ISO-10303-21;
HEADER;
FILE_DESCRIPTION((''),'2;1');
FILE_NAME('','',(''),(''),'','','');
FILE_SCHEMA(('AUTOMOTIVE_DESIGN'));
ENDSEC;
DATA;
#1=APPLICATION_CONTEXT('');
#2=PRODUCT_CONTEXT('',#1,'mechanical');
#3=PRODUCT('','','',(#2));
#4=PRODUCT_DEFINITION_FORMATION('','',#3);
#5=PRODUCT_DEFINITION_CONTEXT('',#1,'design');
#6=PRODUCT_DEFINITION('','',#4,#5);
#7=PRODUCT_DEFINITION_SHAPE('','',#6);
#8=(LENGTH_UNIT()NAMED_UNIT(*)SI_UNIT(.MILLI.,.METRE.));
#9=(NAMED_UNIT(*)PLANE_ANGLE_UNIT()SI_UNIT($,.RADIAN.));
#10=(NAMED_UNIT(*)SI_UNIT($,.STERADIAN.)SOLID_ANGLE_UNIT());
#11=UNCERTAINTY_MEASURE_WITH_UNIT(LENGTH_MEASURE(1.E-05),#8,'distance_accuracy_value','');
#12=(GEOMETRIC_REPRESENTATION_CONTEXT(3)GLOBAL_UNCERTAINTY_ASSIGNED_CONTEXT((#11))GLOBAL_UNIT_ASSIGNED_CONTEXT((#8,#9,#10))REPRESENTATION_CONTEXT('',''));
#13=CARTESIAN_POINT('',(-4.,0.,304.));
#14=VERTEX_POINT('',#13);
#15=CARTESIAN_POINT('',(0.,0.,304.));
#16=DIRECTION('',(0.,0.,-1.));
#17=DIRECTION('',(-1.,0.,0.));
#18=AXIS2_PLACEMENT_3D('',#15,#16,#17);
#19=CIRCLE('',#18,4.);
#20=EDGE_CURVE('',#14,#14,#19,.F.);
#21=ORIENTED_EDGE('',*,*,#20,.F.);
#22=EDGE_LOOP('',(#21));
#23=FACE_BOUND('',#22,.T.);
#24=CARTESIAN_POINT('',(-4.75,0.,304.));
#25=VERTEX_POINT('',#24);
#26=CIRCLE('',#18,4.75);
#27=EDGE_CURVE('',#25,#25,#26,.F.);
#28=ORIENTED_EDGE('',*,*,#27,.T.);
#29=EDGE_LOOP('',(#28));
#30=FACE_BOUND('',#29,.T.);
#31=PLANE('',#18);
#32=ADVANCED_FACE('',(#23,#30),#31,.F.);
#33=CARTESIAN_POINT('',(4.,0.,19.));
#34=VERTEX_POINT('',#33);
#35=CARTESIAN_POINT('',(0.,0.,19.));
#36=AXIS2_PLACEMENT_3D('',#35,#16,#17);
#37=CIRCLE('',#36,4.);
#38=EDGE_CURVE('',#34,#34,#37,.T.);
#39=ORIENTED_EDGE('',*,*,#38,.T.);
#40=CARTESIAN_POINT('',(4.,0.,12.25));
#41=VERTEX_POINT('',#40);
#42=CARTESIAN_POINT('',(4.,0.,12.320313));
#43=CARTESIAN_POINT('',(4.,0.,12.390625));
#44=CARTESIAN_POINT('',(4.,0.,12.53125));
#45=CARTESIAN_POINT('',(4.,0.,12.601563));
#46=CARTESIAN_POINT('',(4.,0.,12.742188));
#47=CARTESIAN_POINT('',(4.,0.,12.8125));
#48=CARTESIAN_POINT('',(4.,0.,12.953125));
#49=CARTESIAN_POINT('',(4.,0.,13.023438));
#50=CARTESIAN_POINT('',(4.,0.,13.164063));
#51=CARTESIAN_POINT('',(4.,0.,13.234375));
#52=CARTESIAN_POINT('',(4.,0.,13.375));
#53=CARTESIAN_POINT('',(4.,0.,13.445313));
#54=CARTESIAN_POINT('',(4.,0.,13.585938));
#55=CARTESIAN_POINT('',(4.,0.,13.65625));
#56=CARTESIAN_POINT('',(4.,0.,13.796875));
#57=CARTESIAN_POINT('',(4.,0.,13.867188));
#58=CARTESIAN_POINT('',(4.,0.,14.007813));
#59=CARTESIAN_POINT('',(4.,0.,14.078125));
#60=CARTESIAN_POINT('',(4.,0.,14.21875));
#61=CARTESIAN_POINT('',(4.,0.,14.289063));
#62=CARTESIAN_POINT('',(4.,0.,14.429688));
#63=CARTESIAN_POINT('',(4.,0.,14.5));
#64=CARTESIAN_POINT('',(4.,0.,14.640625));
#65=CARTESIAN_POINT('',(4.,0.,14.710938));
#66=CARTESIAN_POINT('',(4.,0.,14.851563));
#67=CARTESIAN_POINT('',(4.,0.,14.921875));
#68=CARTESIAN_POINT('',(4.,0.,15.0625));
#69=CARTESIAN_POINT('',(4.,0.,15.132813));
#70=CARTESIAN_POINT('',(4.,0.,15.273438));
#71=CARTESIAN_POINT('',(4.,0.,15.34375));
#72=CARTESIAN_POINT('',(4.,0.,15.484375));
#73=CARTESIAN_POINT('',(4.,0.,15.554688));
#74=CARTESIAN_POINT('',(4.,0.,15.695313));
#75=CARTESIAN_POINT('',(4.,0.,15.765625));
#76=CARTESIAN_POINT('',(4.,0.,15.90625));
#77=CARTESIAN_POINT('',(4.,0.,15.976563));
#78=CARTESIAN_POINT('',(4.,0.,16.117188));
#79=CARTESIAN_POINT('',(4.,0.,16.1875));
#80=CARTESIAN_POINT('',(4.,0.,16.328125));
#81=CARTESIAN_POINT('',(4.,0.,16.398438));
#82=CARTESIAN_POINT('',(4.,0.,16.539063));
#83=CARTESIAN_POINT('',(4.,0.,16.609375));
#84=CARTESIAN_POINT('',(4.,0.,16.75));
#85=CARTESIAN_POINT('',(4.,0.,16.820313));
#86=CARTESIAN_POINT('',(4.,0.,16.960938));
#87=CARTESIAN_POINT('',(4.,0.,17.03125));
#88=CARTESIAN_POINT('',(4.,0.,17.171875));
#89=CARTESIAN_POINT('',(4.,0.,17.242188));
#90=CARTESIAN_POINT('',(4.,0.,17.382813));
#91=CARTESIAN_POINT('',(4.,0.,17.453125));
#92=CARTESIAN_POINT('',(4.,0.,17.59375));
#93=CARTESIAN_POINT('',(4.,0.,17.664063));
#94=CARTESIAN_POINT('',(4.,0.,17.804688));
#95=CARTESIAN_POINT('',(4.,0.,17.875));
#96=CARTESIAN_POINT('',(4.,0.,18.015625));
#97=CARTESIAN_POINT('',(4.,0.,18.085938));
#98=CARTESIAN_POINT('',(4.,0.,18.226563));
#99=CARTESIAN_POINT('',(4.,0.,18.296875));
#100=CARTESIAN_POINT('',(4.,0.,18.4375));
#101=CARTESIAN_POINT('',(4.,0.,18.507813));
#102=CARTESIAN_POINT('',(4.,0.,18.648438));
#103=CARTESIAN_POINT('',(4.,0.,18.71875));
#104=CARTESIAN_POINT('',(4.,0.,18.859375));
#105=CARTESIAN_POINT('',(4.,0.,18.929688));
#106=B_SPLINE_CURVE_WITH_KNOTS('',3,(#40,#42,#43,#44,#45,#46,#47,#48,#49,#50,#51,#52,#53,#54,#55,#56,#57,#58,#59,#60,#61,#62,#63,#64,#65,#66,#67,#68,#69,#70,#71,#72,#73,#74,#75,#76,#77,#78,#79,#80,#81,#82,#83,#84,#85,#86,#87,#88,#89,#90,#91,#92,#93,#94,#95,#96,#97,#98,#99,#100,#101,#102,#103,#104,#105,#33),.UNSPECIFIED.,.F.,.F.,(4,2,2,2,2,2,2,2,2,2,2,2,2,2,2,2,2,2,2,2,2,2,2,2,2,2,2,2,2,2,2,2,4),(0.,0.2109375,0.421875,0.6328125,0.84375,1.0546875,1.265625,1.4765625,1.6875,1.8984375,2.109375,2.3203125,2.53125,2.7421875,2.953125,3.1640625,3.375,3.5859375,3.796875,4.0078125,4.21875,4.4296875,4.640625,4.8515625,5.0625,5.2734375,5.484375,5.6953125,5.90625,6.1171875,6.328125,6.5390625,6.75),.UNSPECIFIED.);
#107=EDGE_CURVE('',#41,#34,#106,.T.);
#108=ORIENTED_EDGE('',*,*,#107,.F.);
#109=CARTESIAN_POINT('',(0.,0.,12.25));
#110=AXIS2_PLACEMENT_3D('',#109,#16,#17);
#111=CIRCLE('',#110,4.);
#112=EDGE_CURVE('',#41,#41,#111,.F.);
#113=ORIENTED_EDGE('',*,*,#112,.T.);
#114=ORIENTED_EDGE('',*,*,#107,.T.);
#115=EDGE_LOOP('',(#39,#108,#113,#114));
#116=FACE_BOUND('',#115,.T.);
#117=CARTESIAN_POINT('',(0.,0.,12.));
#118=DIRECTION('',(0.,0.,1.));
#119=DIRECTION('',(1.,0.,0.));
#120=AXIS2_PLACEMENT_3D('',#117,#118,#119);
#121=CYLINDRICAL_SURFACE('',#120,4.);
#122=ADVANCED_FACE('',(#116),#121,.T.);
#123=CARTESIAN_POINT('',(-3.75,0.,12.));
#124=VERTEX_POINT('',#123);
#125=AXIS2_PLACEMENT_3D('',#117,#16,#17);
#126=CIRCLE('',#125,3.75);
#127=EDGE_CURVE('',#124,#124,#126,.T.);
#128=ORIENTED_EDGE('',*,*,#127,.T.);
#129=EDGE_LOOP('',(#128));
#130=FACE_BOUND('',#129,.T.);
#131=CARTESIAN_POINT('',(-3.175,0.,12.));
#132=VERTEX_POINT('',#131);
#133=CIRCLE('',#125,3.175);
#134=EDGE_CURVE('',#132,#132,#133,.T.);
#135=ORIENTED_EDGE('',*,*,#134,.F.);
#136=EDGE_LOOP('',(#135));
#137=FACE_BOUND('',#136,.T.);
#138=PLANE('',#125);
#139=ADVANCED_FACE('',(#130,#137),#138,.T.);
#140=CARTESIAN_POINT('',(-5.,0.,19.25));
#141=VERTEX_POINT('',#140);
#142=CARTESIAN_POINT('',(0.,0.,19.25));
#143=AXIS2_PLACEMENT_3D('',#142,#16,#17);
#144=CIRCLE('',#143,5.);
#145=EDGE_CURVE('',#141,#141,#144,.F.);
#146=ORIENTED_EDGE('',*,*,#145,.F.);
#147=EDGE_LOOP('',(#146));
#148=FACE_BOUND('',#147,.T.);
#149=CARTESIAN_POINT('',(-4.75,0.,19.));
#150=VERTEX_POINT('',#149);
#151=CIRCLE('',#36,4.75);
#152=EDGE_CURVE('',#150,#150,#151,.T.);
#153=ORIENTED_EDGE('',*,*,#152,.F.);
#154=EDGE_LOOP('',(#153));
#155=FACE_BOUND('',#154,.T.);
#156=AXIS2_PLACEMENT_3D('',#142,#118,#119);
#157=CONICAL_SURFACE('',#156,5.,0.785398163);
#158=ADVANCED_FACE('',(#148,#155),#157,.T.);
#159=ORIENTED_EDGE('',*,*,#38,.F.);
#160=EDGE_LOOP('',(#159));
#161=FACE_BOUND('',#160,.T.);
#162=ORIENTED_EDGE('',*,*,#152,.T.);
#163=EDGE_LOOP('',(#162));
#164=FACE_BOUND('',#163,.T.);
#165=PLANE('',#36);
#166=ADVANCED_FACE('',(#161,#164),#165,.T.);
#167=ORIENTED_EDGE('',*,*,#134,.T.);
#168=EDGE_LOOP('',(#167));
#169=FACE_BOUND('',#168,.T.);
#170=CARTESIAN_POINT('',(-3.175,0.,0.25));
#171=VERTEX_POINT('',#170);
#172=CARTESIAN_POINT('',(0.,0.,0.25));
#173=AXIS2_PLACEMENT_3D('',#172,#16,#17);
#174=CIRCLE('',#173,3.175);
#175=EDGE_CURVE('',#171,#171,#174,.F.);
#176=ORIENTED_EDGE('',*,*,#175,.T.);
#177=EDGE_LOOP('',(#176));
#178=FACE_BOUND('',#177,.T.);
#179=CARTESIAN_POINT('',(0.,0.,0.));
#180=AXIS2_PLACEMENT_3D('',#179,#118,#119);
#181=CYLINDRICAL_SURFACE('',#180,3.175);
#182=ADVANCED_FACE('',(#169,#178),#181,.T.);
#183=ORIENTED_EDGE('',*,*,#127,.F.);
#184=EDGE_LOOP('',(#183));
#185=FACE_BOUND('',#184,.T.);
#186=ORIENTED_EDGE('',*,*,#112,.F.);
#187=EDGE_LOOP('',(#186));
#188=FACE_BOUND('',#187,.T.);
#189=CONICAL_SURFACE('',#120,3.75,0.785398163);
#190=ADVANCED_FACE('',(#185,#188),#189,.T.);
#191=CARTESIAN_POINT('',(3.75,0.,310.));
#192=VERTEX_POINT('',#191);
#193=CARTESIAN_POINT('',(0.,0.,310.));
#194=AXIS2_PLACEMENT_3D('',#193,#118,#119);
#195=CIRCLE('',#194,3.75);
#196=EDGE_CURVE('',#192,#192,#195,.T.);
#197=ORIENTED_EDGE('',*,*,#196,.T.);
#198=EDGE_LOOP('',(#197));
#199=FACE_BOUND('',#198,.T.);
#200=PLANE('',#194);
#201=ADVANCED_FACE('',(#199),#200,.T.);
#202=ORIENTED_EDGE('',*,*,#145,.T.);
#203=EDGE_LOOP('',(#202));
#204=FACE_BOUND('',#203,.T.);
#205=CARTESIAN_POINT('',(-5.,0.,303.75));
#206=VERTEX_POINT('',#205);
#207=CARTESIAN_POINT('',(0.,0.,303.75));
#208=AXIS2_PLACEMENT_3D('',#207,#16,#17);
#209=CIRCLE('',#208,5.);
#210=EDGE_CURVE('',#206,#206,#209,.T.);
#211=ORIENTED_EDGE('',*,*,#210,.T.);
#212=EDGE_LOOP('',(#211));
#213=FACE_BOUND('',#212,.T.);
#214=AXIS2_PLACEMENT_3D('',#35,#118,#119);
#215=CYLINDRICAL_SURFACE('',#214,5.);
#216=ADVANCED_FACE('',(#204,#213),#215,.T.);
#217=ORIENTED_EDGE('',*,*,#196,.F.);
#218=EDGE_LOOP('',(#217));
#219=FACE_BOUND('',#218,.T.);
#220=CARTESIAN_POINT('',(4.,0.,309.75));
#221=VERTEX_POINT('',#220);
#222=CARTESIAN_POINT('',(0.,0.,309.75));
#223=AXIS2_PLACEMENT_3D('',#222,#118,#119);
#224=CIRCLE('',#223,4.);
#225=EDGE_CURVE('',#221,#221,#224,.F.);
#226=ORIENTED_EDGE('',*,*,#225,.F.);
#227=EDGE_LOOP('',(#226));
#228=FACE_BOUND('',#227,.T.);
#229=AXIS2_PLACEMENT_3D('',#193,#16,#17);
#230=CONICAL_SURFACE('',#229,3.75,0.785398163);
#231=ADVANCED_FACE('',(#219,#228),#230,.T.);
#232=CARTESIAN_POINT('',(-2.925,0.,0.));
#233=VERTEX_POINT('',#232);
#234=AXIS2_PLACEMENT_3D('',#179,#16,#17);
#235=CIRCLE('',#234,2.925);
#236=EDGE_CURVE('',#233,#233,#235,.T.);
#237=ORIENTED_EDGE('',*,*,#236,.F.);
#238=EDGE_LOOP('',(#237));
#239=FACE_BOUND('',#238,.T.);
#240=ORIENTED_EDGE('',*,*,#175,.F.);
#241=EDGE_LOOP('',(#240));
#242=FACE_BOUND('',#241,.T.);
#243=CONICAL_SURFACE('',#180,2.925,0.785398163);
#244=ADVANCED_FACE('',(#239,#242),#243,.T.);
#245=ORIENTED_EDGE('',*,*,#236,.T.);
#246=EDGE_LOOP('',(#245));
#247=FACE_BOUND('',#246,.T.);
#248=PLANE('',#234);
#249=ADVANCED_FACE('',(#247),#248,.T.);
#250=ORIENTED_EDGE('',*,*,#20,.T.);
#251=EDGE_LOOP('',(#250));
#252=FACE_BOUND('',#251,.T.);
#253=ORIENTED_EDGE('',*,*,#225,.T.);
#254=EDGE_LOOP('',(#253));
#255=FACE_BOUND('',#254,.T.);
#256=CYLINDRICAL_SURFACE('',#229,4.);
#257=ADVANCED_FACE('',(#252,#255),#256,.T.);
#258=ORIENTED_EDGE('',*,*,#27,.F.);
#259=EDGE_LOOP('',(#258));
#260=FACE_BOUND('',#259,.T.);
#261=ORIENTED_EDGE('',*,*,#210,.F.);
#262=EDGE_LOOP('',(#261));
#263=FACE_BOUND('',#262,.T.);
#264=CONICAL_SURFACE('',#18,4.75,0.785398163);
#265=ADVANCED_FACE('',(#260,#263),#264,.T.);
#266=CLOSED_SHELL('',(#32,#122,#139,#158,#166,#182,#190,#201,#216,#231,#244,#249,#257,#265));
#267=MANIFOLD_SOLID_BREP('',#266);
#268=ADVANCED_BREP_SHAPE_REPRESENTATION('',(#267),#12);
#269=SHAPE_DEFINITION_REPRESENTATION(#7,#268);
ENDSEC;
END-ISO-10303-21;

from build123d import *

# Parameters (mm, degrees)
SKETCH1_R           = 5
BOSS_EXTRUDE1_DEPTH = 285
SKETCH2_R           = 4
BOSS_EXTRUDE2_DEPTH = 7
SKETCH3_R           = 3.175
BOSS_EXTRUDE3_DEPTH = 12
BOSS_EXTRUDE4_START = 6
SKETCH4_R           = 4
BOSS_EXTRUDE4_DEPTH = 6
CHAMFER1_SIZE       = 0.25


with BuildPart() as part:
    # Sketch1 → Boss-Extrude1 (new body)
    with BuildSketch(Plane.XY.offset(304)):
        with Locations(Location((0, 0, 0), (0, 0, 180))):
            Circle(SKETCH1_R)
    extrude(amount=-BOSS_EXTRUDE1_DEPTH)

    # Sketch2 → Boss-Extrude2 (add)
    with BuildSketch(Plane(origin=(0, 0, 19), x_dir=(-1, 0, 0), z_dir=(0, 0, -1))):
        with Locations(Location((0, 0, 0), (0, 0, 180))):
            Circle(SKETCH2_R)
    extrude(amount=BOSS_EXTRUDE2_DEPTH)

    # Sketch3 → Boss-Extrude3 (add)
    with BuildSketch(Plane(origin=(0, 0, 12), x_dir=(-1, 0, 0), z_dir=(0, 0, -1))):
        Circle(SKETCH3_R)
    extrude(amount=BOSS_EXTRUDE3_DEPTH)

    # Sketch4 → Boss-Extrude4 (add)
    with BuildSketch(Plane.XY.offset(304).offset(BOSS_EXTRUDE4_START)):
        Circle(SKETCH4_R)
    extrude(amount=-BOSS_EXTRUDE4_DEPTH)

    # Chamfer1
    chamfer1_edges = [part.edges().sort_by_distance(p)[0] for p in [
        (3.175, 0, 0),
        (-4, 0, 310),
        (5, 0, 304),
        (5, 0, 19),
        (-4, 0, 12),
    ]]
    chamfer(chamfer1_edges, length=CHAMFER1_SIZE)


solid = part.part
